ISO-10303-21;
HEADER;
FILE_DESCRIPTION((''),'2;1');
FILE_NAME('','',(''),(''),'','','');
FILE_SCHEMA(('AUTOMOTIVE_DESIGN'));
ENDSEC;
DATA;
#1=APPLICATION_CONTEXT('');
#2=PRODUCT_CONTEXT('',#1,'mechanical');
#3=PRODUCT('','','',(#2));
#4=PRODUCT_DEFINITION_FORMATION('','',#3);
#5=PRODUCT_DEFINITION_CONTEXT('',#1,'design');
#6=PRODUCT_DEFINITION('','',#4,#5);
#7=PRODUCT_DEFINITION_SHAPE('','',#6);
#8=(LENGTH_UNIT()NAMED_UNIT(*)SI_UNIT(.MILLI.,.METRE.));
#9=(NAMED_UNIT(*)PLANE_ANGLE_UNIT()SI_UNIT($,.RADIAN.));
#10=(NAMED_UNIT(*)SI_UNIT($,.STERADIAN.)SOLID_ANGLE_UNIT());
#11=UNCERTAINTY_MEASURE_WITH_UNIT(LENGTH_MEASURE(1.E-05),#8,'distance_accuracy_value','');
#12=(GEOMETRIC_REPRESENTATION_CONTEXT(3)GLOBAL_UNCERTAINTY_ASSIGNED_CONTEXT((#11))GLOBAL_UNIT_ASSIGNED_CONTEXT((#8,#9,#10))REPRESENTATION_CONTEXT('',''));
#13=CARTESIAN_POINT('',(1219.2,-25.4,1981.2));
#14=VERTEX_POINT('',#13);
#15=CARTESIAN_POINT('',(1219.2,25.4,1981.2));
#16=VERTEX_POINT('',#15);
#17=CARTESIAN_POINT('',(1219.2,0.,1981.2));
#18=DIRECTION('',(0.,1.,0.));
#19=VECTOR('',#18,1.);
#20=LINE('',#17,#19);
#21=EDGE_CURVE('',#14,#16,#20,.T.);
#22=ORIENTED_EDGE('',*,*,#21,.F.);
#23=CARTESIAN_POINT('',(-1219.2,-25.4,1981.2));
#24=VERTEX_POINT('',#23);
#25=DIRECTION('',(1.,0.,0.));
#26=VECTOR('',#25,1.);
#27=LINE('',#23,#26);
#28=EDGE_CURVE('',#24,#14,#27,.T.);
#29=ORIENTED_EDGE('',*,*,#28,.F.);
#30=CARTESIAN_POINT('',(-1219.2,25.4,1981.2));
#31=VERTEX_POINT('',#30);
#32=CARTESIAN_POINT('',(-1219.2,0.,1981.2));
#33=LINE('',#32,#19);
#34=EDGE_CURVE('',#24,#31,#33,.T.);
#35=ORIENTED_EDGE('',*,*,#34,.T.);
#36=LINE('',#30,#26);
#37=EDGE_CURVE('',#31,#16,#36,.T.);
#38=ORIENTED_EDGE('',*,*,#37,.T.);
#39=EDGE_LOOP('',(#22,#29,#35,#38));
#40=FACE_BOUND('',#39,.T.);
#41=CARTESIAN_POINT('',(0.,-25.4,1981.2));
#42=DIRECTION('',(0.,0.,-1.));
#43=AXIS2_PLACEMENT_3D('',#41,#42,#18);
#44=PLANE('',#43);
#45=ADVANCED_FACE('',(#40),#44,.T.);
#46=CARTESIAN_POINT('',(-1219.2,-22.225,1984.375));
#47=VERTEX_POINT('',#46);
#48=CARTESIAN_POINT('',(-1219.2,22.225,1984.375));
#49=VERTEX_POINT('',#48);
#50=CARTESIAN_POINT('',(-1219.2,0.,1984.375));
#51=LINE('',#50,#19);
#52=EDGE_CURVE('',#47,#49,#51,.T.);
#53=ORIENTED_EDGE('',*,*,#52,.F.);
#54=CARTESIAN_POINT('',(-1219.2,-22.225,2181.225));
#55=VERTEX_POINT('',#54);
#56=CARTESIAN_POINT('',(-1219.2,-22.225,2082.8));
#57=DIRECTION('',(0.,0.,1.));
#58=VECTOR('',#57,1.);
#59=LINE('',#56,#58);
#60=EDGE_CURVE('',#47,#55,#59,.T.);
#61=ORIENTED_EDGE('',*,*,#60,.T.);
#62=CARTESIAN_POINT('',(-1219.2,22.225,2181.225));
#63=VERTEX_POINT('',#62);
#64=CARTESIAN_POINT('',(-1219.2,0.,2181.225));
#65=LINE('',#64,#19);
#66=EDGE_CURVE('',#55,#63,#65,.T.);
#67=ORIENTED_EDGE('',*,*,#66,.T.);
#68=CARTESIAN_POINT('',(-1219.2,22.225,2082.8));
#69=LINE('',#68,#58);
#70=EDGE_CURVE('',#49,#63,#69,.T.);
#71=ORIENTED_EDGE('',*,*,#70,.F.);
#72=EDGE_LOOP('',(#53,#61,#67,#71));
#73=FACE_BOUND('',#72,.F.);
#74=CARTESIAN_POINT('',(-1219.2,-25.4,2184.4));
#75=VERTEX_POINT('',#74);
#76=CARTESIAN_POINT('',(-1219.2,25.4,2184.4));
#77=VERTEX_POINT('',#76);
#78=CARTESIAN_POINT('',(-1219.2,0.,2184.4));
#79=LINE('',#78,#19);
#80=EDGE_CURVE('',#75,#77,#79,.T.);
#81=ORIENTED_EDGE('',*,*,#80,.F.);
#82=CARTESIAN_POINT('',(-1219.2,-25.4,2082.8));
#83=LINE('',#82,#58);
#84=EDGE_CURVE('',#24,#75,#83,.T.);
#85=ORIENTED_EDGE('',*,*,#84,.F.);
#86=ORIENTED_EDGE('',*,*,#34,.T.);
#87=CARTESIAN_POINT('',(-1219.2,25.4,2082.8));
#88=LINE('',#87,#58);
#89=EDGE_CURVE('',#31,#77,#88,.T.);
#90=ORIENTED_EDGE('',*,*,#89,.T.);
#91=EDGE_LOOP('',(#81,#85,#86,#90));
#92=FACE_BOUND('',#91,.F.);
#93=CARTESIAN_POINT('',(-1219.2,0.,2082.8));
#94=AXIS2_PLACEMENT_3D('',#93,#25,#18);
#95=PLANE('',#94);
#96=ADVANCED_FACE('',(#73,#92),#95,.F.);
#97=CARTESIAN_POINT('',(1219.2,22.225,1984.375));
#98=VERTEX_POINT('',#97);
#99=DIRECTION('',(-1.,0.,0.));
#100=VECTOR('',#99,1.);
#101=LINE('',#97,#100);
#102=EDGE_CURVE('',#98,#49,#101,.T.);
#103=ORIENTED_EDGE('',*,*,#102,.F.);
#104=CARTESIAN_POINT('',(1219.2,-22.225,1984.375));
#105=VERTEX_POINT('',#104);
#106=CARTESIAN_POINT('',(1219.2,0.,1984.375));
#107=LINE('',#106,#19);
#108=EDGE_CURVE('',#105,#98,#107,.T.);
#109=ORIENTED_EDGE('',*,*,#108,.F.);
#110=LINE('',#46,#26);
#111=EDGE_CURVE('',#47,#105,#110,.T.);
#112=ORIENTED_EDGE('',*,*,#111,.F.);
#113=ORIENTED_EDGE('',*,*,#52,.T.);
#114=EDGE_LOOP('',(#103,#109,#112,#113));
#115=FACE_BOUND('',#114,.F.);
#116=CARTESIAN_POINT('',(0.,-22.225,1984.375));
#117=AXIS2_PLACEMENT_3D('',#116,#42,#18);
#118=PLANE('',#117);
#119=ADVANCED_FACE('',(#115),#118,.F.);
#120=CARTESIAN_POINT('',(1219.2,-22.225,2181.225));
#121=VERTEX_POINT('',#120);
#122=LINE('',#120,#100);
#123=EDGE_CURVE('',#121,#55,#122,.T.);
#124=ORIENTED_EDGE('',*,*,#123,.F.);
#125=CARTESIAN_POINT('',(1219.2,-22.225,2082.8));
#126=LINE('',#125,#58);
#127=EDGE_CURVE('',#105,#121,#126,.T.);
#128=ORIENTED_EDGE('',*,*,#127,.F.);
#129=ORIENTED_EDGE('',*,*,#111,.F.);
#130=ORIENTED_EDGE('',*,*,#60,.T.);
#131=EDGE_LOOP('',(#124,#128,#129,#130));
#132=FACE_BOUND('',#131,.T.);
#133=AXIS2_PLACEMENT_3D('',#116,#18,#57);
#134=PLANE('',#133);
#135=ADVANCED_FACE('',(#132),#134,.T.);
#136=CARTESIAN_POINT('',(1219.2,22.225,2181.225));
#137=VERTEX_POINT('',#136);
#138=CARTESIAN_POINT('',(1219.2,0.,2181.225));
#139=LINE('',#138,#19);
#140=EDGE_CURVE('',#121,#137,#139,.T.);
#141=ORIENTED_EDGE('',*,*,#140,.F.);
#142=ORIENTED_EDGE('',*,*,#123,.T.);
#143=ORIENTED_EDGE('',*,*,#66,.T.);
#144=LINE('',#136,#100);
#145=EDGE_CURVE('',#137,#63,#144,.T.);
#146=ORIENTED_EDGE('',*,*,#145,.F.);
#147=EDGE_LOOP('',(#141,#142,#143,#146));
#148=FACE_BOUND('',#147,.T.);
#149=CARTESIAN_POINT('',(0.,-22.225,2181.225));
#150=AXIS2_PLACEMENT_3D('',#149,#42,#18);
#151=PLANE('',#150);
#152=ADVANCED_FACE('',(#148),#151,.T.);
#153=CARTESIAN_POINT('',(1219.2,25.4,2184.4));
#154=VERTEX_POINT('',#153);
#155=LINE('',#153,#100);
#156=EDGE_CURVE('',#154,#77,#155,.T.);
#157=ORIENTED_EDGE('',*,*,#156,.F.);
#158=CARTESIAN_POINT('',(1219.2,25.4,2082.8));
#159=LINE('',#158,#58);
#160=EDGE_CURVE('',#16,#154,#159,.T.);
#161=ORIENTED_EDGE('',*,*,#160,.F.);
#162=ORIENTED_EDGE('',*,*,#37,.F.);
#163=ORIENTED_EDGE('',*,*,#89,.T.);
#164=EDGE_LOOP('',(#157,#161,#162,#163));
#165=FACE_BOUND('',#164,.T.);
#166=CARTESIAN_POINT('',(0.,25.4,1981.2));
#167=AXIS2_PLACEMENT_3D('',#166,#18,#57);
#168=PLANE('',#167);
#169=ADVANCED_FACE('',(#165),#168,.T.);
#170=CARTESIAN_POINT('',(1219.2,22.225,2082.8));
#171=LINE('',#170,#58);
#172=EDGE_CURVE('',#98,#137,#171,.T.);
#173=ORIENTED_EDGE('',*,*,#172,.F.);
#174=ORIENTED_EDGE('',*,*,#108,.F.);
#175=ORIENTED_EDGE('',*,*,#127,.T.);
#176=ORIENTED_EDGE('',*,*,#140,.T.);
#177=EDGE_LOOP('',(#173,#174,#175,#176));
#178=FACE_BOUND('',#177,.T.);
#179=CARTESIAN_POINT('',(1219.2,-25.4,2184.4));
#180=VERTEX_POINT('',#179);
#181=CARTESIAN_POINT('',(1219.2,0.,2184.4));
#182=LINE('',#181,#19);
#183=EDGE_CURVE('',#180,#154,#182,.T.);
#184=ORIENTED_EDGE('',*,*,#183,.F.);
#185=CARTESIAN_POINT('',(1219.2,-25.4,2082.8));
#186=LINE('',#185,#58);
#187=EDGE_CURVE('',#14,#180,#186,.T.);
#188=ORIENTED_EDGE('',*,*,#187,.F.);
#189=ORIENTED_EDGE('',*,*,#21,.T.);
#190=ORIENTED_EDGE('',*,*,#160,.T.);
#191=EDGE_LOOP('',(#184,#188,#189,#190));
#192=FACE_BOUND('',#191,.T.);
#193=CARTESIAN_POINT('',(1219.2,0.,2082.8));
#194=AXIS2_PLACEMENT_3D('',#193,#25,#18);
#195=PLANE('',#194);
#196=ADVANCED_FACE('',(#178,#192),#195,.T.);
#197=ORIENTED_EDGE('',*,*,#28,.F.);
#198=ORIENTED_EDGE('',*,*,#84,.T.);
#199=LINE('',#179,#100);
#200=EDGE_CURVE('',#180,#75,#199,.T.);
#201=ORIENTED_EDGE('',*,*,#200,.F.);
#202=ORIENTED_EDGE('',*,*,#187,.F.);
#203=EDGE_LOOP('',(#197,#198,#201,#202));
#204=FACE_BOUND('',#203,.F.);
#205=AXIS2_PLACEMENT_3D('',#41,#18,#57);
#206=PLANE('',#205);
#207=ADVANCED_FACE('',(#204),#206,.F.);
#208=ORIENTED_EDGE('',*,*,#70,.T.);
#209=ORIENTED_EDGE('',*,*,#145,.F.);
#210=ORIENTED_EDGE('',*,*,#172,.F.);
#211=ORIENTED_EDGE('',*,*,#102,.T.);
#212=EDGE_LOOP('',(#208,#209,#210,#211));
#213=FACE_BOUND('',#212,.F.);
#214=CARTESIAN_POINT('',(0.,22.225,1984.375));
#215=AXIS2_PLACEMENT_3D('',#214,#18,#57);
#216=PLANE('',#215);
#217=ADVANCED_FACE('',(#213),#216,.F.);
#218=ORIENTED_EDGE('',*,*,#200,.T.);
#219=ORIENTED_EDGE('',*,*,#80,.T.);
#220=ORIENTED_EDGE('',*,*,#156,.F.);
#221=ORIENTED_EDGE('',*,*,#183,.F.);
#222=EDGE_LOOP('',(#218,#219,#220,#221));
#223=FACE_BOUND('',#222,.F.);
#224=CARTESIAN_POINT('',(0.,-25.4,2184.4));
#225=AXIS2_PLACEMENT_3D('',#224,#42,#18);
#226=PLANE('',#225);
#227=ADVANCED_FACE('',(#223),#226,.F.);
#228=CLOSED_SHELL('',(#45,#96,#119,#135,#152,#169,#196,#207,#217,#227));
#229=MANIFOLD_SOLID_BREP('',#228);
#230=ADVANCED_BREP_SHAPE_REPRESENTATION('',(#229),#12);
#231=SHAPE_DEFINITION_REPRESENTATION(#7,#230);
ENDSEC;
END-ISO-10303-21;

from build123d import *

# Parameters (mm, degrees)
F0_W     = 50.8
F0_H     = 203.2
F0_W_2   = 44.45
F0_H_2   = 196.85
F1_DEPTH = 1219.2


with BuildPart() as f1:
    # F0 (on Right) → F1 (new body, symmetric)
    with BuildSketch(Plane.YZ):
        with Locations((0, 2082.8)):
            Rectangle(F0_W, F0_H)
        with Locations((0, 2082.8)):
            Rectangle(F0_W_2, F0_H_2, mode=Mode.SUBTRACT)
    extrude(amount=F1_DEPTH, both=True)


solid = f1.part
